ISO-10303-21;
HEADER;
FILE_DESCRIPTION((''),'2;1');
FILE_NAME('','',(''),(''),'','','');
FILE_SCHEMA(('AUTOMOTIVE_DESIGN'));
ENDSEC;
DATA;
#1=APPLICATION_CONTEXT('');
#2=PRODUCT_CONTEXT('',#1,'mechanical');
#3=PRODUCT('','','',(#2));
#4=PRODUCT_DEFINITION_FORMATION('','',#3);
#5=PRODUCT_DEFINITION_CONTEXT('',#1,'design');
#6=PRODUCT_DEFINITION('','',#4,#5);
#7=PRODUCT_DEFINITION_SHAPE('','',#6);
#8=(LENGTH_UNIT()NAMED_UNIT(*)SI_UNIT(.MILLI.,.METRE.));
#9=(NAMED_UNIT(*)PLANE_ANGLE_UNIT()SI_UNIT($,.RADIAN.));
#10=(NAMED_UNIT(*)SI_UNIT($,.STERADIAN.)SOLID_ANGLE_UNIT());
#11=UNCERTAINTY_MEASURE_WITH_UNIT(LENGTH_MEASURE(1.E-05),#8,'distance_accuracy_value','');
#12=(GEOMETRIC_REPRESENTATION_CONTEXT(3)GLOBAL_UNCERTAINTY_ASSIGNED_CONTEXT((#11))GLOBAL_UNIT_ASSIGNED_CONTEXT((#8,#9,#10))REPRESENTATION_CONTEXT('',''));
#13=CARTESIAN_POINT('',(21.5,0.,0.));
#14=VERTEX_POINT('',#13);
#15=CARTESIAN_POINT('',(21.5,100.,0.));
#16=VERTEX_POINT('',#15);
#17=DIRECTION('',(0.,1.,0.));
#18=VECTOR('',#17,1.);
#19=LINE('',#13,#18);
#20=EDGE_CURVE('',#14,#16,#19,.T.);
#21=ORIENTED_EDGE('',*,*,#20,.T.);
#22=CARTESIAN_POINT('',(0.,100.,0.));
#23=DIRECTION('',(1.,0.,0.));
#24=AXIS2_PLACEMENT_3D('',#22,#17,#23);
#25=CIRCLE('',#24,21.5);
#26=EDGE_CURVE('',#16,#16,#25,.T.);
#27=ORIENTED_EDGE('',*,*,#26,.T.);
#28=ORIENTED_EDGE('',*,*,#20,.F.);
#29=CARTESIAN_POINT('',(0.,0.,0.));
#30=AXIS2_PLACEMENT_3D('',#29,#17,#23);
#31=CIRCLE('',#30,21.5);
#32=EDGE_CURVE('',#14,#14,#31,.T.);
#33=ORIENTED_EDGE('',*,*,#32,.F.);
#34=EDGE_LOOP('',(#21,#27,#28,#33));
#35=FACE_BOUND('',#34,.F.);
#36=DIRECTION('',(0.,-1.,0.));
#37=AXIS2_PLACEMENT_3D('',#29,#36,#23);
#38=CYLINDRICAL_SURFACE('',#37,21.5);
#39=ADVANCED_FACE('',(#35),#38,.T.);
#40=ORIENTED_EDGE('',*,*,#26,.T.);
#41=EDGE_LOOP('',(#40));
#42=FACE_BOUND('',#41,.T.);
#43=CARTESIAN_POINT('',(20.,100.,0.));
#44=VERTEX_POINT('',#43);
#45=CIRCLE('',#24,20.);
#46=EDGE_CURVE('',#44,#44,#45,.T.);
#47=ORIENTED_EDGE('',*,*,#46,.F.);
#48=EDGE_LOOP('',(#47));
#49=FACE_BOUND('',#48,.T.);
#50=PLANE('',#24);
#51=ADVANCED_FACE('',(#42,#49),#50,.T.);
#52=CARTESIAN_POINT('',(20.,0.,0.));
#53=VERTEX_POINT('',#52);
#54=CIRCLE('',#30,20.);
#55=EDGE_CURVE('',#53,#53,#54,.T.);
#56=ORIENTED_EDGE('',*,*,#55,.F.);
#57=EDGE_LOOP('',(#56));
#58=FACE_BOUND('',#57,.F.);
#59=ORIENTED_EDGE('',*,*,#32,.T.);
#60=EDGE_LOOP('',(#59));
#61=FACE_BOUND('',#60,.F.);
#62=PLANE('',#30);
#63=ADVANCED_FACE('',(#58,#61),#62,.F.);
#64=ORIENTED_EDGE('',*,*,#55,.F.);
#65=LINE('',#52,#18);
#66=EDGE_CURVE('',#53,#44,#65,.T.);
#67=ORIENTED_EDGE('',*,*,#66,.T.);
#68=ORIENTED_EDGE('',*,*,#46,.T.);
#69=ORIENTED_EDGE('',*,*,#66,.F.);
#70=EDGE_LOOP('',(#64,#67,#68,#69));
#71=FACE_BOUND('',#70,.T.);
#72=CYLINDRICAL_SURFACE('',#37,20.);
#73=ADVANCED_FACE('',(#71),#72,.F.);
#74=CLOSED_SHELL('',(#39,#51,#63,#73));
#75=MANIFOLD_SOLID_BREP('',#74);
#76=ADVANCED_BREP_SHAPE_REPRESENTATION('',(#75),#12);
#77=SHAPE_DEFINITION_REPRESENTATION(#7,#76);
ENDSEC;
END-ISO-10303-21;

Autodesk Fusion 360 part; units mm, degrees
sketch "Sketch1" plane through (0, 0, 0) normal (0, 1, 0) x (1, 0, 0)
  circle A0 centre (0, 0) radius 20
  circle A1 centre (0, 0) radius 21.5
  dimension "d1" = 40
  dimension "d2" = 1.5
extrude "Extrude1" add sketch "Sketch1" along normal blind 100
